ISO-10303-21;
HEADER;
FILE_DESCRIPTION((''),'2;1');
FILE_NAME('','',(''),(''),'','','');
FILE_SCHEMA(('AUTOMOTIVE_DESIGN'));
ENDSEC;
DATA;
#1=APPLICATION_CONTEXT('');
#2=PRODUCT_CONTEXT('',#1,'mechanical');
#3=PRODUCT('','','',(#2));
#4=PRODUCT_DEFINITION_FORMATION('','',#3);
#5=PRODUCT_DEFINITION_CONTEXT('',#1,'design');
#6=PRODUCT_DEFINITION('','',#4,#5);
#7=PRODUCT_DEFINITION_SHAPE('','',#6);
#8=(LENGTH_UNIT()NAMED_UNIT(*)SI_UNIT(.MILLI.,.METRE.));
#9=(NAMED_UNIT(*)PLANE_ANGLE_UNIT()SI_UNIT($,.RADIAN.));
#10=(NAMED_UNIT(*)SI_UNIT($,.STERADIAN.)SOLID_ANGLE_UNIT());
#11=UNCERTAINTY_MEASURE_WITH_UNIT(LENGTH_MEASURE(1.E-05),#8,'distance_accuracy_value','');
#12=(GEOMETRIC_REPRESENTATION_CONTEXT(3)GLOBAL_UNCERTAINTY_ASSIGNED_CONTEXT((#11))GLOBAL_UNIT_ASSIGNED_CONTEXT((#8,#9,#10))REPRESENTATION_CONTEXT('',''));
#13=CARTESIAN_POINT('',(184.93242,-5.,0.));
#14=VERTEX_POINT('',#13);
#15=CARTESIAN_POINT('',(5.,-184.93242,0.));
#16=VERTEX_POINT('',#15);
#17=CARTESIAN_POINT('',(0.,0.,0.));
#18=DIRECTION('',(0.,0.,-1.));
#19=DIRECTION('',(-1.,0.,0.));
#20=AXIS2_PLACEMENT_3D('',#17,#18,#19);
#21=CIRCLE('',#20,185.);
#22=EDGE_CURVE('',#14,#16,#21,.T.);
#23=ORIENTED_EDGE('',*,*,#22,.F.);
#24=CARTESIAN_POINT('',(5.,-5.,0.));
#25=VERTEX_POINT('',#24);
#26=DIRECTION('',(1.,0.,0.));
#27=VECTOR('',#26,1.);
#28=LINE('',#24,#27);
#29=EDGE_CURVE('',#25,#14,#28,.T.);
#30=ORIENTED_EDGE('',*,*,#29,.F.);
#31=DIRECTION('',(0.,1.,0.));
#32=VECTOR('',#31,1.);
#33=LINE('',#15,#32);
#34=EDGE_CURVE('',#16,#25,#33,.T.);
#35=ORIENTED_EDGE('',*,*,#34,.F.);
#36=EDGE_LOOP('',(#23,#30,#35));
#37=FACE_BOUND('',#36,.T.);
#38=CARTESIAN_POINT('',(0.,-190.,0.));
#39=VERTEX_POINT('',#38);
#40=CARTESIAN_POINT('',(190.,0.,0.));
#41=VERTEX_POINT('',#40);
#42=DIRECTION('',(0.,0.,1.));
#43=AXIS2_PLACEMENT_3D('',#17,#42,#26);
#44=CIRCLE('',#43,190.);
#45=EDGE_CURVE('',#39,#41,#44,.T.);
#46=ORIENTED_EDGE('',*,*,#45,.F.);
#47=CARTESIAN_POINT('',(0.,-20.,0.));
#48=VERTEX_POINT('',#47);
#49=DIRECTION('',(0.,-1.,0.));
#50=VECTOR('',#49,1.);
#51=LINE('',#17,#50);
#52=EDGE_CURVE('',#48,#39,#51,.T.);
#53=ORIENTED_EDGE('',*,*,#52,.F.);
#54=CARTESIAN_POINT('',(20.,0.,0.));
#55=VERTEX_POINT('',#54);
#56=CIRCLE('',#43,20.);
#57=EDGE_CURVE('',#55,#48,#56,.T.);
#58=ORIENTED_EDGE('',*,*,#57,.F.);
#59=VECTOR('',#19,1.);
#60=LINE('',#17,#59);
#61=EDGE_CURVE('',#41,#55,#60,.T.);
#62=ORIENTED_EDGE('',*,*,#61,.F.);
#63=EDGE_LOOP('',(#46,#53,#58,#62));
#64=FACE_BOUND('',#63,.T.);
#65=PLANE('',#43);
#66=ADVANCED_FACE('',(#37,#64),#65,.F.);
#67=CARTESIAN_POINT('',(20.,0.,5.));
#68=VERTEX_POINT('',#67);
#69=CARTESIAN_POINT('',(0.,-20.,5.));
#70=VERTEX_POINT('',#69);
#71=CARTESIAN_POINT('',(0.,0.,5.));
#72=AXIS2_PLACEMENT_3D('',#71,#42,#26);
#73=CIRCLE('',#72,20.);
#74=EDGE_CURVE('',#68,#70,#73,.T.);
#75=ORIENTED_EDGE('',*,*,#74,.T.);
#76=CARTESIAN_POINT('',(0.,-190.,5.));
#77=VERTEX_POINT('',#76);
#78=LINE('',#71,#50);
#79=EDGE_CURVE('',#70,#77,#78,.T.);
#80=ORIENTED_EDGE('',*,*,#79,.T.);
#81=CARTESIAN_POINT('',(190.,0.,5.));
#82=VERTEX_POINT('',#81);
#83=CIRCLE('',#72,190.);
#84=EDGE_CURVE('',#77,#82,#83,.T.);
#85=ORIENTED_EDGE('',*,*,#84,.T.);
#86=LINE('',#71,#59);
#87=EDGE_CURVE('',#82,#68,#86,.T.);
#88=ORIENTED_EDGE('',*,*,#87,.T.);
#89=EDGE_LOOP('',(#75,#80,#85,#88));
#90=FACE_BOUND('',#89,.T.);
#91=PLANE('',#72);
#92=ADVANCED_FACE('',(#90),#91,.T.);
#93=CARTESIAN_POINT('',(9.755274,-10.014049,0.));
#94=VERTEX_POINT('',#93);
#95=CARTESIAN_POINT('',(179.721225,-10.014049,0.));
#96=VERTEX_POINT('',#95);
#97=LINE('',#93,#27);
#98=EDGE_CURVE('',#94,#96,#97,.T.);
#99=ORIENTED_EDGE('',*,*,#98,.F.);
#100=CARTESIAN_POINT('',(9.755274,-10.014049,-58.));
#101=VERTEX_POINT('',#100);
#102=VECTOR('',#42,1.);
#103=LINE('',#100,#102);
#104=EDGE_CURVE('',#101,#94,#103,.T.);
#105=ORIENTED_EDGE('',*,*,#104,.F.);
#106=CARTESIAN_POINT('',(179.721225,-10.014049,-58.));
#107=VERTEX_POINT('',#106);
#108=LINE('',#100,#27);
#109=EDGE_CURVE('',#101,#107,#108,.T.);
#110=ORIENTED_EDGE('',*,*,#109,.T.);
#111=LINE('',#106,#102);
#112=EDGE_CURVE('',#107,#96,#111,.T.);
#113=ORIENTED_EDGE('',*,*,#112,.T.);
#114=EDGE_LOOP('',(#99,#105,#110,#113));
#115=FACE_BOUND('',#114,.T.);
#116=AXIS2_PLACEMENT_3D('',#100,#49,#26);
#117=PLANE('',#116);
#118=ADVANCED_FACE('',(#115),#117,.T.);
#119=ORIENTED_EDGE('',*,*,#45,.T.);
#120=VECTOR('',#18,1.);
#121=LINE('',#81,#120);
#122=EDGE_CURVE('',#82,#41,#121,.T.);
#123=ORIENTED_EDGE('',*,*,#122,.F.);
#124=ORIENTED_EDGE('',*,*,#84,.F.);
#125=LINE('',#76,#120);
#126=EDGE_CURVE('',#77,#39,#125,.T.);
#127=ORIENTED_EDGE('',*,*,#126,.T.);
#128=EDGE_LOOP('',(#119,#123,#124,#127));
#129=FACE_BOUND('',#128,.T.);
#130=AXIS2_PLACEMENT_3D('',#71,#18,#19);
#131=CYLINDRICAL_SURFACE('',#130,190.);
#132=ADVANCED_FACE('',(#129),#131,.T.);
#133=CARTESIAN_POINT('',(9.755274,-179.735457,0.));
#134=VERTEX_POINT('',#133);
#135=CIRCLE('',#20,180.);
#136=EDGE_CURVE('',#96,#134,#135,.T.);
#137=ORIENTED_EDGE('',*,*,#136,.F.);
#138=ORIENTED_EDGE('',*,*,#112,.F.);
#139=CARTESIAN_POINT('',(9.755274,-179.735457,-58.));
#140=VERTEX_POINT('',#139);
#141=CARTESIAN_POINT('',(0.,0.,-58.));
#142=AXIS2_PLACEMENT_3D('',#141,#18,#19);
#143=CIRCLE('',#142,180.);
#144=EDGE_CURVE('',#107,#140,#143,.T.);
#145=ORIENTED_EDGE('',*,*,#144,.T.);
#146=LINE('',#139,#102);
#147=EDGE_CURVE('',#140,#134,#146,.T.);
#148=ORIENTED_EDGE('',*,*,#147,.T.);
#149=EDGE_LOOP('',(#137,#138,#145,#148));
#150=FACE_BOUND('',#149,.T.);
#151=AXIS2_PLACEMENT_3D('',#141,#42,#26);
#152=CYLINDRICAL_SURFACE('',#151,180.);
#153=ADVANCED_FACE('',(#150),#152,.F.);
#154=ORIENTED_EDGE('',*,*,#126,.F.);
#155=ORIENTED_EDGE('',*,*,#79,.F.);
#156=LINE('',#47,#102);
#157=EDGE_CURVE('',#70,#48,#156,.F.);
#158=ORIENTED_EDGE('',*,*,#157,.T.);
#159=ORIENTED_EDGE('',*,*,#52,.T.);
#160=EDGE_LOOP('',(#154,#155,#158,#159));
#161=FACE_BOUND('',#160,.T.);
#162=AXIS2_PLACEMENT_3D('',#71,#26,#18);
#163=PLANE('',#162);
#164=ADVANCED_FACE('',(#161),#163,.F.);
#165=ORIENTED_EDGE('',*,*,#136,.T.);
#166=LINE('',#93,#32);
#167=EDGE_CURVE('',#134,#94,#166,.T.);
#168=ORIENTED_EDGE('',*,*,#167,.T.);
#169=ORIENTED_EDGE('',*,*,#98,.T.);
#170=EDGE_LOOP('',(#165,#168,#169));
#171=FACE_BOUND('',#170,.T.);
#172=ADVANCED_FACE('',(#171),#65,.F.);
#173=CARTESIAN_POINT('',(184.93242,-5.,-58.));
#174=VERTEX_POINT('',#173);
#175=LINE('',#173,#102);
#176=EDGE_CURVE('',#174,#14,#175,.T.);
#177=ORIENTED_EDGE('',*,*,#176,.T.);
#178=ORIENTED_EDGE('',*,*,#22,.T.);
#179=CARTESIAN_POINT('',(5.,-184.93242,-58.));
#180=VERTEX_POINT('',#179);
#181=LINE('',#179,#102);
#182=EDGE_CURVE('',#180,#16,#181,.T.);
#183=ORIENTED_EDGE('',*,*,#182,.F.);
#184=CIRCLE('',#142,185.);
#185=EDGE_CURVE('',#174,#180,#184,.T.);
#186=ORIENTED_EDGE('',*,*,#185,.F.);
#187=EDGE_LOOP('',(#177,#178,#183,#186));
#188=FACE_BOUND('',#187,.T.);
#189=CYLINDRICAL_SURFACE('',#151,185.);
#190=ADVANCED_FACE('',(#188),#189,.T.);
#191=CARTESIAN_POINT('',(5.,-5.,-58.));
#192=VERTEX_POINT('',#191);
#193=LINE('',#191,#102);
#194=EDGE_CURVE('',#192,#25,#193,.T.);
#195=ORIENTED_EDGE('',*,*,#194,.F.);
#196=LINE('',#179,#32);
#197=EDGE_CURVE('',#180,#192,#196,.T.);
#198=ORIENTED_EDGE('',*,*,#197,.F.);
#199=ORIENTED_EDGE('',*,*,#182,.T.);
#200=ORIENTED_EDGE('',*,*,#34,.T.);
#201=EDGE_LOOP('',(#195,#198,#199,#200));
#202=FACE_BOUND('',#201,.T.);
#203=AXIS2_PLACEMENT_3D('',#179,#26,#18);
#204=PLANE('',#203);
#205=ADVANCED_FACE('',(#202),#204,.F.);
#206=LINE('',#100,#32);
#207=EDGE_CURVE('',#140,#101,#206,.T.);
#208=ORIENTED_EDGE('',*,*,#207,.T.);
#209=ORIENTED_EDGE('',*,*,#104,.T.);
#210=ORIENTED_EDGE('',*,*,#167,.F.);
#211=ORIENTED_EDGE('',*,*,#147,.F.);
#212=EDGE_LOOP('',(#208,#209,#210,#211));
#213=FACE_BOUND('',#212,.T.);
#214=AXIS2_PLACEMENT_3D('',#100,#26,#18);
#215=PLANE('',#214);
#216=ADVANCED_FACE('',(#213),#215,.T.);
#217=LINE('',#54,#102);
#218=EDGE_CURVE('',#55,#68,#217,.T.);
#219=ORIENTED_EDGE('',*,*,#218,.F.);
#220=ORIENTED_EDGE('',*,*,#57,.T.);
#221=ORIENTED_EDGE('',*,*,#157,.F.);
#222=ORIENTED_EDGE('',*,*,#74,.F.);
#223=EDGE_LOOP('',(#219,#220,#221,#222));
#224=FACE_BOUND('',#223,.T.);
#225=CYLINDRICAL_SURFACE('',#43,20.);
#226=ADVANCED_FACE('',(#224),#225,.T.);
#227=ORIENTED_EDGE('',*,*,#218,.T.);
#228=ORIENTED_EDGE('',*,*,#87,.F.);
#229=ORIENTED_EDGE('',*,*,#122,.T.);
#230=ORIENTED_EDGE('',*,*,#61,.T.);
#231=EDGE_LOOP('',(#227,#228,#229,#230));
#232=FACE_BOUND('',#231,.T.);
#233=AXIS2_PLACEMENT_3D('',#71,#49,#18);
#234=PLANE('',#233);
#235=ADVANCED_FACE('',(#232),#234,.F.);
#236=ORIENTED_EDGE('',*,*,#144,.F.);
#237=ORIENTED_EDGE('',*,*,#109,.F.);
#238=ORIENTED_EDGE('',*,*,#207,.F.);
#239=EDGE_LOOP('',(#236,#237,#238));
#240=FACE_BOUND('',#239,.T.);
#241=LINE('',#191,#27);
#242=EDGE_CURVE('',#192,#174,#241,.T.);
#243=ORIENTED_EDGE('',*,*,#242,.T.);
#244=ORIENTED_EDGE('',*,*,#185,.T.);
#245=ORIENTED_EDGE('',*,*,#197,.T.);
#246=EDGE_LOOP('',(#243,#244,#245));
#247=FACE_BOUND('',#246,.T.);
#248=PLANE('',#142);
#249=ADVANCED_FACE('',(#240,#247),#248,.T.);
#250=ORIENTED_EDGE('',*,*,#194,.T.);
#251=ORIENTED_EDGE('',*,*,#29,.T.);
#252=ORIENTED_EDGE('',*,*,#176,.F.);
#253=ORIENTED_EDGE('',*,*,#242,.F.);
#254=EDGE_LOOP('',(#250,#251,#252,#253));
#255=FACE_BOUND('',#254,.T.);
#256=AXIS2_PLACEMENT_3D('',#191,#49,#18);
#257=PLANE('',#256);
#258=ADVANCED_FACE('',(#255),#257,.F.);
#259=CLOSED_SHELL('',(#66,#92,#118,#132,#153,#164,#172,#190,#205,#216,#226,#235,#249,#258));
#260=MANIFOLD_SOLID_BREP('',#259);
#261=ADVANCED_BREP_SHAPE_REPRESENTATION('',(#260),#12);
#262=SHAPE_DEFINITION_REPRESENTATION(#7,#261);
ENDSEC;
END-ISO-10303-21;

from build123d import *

# Parameters (mm, degrees)
EXTRUDE_1_DEPTH = 5
EXTRUDE_2_DEPTH = 58
SKETCH_3_R      = 20
EXTRUDE_3_DEPTH = 5


with BuildPart() as part:
    # 草图1 → 凸台-拉伸1 (new body)
    with BuildSketch(Plane.XY):
        with BuildLine():
            Line((0, 0), (0, -190))
            ThreePointArc((0, -190), (134.350288425, -134.350288425), (190, 0))
            Line((190, 0), (0, 0))
        make_face()
    extrude(amount=EXTRUDE_1_DEPTH)

    # 草图2 → 凸台-拉伸2 (add)
    with BuildSketch(Plane(origin=(0, 0, 0), x_dir=(-1, 0, 0), z_dir=(0, 0, -1))):
        with BuildLine():
            Line((-5, -5), (-184.932420089, -5))
            ThreePointArc((-184.932420089, -5), (-130.81475452, -130.81475452), (-5, -184.932420089))
            Line((-5, -184.932420089), (-5, -5))
        make_face()
        with BuildLine():
            Line((-9.755273715, -10.014049165), (-9.755273715, -179.735457367))
            ThreePointArc((-9.755273715, -179.735457367), (-127.187558429, -127.370816834), (-179.721225289, -10.014049165))
            Line((-179.721225289, -10.014049165), (-9.755273715, -10.014049165))
        make_face(mode=Mode.SUBTRACT)
    extrude(amount=EXTRUDE_2_DEPTH)

    # 草图3 → 凸台-拉伸3 (add)
    with BuildSketch(Plane.XY.offset(5)):
        Circle(SKETCH_3_R)
    extrude(amount=-EXTRUDE_3_DEPTH)


solid = part.part
